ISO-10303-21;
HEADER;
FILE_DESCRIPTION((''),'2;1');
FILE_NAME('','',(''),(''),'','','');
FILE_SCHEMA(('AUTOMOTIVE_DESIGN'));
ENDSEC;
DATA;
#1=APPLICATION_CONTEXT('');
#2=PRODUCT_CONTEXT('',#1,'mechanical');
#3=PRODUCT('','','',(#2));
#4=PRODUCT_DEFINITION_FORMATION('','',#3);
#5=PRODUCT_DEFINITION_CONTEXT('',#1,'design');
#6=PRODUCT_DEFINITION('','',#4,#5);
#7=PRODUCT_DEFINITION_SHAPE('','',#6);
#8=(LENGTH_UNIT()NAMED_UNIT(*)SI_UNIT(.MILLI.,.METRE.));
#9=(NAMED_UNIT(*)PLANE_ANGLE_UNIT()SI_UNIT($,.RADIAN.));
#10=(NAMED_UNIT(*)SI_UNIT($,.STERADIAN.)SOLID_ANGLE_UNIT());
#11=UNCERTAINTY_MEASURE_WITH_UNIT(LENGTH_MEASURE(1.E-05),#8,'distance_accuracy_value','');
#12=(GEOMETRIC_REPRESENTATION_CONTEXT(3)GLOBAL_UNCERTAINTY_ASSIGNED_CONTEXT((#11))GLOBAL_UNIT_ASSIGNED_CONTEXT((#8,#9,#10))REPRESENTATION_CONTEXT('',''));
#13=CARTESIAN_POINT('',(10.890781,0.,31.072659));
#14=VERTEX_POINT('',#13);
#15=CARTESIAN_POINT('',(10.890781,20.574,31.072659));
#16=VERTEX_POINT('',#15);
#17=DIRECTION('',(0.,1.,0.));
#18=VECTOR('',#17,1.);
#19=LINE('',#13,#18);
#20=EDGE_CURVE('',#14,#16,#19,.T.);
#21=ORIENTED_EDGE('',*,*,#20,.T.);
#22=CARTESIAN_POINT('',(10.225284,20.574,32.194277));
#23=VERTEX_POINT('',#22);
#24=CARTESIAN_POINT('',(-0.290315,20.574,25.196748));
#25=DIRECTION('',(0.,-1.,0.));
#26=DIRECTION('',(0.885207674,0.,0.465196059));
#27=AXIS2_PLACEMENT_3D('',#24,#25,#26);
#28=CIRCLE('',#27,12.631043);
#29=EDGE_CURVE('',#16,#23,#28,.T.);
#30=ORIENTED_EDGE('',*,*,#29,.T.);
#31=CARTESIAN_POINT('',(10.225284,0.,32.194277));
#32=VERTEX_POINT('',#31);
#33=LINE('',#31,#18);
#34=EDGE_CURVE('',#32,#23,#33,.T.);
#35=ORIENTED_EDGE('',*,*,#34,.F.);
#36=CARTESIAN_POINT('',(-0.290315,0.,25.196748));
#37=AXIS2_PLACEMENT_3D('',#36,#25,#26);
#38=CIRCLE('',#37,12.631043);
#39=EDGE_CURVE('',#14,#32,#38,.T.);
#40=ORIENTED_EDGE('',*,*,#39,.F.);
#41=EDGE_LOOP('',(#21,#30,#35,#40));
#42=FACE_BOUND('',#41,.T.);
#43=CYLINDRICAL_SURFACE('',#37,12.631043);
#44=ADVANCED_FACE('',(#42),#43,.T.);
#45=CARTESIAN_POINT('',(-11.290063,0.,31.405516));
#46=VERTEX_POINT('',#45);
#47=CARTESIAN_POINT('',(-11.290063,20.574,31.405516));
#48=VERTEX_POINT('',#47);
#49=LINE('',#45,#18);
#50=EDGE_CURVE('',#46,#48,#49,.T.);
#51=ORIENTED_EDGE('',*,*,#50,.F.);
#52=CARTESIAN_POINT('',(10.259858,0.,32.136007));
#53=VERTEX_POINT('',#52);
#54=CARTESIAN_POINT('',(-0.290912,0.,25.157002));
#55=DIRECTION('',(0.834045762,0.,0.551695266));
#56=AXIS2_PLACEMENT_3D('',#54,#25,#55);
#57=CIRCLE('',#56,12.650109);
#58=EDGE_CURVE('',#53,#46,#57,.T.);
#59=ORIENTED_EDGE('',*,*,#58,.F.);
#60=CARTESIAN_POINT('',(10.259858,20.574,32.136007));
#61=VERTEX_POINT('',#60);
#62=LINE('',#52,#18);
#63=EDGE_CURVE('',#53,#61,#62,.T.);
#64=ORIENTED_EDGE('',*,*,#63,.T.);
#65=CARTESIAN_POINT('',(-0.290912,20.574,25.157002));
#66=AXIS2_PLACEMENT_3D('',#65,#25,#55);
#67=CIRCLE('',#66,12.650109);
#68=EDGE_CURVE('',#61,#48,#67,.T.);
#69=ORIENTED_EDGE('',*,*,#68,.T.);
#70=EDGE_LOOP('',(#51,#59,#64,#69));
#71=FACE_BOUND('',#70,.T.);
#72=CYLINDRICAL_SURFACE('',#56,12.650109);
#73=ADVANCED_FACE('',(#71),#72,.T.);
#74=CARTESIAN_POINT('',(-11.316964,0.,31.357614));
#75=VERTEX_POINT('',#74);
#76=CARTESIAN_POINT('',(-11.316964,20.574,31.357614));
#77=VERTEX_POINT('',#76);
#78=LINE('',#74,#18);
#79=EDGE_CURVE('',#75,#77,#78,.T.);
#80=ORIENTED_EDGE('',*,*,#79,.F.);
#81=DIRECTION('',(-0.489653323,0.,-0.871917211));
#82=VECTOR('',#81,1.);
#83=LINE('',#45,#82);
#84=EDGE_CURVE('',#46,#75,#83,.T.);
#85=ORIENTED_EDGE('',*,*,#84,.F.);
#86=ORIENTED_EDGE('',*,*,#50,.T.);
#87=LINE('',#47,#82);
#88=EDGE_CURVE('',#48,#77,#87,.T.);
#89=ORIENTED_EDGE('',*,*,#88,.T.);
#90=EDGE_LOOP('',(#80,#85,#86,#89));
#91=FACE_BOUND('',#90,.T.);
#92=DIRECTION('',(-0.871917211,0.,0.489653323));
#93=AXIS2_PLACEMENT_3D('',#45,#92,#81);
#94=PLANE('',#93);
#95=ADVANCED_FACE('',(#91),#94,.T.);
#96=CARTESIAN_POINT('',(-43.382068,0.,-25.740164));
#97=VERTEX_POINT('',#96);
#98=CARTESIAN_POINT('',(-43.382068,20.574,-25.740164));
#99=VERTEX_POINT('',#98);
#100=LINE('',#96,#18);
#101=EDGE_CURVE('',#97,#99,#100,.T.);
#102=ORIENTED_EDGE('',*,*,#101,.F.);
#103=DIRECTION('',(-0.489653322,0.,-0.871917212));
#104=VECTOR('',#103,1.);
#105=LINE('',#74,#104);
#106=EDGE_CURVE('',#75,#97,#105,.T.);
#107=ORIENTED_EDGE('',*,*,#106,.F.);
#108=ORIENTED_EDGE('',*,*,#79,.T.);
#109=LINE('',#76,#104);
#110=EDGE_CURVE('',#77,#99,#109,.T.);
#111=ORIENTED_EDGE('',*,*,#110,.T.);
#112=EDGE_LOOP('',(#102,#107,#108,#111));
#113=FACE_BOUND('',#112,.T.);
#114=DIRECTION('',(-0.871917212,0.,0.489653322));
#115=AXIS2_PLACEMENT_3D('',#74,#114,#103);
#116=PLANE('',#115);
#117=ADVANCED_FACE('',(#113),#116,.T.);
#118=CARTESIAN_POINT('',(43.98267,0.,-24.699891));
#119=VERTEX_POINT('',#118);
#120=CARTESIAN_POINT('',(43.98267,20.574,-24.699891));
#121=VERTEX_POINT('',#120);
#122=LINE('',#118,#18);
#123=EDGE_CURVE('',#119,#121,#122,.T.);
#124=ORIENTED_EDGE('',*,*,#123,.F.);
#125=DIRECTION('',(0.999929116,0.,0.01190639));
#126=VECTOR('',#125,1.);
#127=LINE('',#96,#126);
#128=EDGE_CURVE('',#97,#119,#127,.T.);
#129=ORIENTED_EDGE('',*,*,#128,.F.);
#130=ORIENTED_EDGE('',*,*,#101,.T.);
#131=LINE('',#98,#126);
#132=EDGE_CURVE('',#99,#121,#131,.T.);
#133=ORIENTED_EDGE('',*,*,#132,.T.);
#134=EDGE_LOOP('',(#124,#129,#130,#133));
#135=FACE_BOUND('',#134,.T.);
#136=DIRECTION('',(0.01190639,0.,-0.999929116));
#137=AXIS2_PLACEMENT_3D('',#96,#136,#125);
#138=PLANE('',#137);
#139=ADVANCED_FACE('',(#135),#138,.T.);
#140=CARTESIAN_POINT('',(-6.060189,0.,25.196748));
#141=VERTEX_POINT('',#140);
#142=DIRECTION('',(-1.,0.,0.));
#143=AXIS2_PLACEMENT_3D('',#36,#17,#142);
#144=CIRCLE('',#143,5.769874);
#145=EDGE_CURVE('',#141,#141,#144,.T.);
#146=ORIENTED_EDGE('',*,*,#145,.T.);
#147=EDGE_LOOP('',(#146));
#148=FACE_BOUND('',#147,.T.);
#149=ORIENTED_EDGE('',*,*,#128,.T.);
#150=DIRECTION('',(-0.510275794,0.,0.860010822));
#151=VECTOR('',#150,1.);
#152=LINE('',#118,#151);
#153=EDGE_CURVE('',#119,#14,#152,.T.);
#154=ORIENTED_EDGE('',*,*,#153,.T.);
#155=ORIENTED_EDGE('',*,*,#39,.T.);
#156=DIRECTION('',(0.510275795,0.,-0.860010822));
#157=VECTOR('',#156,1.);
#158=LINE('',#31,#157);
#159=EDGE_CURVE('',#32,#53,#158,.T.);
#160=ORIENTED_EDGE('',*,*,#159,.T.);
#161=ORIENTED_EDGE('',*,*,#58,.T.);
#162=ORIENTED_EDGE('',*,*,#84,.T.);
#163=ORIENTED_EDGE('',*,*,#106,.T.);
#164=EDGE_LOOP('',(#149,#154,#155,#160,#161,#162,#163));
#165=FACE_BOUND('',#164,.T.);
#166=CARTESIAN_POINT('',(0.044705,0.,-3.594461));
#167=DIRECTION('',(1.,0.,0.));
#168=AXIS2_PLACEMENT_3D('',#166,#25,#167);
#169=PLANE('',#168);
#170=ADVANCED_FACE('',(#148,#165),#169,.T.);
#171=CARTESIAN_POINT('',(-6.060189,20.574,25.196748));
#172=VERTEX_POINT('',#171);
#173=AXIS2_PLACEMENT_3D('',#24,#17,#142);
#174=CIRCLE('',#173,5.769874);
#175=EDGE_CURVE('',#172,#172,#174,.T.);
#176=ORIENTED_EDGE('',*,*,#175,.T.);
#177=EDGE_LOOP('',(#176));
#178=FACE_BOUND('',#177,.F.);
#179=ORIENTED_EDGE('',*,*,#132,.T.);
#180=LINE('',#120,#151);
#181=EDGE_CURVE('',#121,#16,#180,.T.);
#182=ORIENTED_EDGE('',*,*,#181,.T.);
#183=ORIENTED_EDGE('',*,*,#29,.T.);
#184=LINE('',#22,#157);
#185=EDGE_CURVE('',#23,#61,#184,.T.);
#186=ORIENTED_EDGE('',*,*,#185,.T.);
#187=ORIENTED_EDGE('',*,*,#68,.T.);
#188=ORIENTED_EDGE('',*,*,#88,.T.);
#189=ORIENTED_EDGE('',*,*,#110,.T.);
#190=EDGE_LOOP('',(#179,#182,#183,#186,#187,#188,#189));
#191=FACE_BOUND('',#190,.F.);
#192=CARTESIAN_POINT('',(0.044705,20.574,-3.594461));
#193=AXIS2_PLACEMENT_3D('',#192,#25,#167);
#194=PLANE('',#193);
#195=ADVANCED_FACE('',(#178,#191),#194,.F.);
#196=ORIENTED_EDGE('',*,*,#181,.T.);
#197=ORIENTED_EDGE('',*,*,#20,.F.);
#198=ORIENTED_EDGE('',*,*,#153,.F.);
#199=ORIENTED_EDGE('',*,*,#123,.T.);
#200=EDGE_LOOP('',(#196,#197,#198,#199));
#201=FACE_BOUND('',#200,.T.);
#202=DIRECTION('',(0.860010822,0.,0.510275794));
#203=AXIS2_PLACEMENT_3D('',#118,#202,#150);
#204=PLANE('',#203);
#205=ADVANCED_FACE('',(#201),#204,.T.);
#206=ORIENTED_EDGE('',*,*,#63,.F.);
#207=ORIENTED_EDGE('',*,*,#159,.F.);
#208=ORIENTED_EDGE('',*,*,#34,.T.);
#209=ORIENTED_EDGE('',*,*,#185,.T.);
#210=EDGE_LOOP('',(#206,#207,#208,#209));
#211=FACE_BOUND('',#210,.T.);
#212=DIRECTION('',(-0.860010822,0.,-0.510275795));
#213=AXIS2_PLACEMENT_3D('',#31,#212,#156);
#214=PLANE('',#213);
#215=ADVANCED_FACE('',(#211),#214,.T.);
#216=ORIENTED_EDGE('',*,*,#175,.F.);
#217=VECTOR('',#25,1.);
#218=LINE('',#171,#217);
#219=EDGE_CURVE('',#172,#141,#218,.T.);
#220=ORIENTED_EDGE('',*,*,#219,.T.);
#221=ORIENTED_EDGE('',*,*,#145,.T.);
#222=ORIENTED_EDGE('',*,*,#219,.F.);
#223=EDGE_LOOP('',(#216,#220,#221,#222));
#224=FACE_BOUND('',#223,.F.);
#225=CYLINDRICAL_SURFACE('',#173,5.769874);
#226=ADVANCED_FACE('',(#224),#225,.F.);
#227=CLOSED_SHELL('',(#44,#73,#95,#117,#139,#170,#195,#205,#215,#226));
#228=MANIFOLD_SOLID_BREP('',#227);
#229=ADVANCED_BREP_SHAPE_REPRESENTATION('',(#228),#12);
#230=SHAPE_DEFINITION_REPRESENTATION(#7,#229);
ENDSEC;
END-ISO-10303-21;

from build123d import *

# Parameters (mm, degrees)
F1_DEPTH = 20.574
F2_R     = 5.7698735651
F3_DEPTH = 25.4


with BuildPart() as f1:
    # F0 (on Front) → F1 (new body)
    with BuildSketch(Plane.XZ):
        with BuildLine():
            Line((43.9826699016, -24.6998913976), (10.8907810138, 31.072659218))
            Line((10.8907810138, 31.072659218), (10.2598580566, 32.1360068765))
            ThreePointArc((10.2598580566, 32.1360068765), (-0.7194738244, 37.7998490981), (-11.2900626191, 31.405516467))
            Line((-11.2900626191, 31.405516467), (-11.3169636884, 31.3576141977))
            Line((-11.3169636884, 31.3576141977), (-43.3820683718, -25.7401637623))
            Line((-43.3820683718, -25.7401637623), (43.9826699016, -24.6998913976))
        make_face()
        with BuildLine():
            ThreePointArc((10.2598580566, 32.1360068765), (10.5883188939, 31.612046041), (10.8907810138, 31.072659218))
            ThreePointArc((10.8907810138, 31.072659218), (10.5725184876, 31.6420632918), (10.2252840901, 32.1942772974))
            Line((10.2252840901, 32.1942772974), (10.2598580566, 32.1360068765))
        make_face()
        with BuildLine():
            Line((10.2598580566, 32.1360068765), (10.8907810138, 31.072659218))
            ThreePointArc((10.8907810138, 31.072659218), (10.5883188939, 31.612046041), (10.2598580566, 32.1360068765))
        make_face()
    extrude(amount=-F1_DEPTH)

    # F2 (on face) → F3 (cut)
    with BuildSketch(Plane(origin=(0, 20.574, 0), x_dir=(-1, 0, 0), z_dir=(0, 1, 0))):
        with Locations((0.2903152937, 25.1967477283)):
            Circle(F2_R)
    extrude(amount=-F3_DEPTH, mode=Mode.SUBTRACT)


solid = f1.part
